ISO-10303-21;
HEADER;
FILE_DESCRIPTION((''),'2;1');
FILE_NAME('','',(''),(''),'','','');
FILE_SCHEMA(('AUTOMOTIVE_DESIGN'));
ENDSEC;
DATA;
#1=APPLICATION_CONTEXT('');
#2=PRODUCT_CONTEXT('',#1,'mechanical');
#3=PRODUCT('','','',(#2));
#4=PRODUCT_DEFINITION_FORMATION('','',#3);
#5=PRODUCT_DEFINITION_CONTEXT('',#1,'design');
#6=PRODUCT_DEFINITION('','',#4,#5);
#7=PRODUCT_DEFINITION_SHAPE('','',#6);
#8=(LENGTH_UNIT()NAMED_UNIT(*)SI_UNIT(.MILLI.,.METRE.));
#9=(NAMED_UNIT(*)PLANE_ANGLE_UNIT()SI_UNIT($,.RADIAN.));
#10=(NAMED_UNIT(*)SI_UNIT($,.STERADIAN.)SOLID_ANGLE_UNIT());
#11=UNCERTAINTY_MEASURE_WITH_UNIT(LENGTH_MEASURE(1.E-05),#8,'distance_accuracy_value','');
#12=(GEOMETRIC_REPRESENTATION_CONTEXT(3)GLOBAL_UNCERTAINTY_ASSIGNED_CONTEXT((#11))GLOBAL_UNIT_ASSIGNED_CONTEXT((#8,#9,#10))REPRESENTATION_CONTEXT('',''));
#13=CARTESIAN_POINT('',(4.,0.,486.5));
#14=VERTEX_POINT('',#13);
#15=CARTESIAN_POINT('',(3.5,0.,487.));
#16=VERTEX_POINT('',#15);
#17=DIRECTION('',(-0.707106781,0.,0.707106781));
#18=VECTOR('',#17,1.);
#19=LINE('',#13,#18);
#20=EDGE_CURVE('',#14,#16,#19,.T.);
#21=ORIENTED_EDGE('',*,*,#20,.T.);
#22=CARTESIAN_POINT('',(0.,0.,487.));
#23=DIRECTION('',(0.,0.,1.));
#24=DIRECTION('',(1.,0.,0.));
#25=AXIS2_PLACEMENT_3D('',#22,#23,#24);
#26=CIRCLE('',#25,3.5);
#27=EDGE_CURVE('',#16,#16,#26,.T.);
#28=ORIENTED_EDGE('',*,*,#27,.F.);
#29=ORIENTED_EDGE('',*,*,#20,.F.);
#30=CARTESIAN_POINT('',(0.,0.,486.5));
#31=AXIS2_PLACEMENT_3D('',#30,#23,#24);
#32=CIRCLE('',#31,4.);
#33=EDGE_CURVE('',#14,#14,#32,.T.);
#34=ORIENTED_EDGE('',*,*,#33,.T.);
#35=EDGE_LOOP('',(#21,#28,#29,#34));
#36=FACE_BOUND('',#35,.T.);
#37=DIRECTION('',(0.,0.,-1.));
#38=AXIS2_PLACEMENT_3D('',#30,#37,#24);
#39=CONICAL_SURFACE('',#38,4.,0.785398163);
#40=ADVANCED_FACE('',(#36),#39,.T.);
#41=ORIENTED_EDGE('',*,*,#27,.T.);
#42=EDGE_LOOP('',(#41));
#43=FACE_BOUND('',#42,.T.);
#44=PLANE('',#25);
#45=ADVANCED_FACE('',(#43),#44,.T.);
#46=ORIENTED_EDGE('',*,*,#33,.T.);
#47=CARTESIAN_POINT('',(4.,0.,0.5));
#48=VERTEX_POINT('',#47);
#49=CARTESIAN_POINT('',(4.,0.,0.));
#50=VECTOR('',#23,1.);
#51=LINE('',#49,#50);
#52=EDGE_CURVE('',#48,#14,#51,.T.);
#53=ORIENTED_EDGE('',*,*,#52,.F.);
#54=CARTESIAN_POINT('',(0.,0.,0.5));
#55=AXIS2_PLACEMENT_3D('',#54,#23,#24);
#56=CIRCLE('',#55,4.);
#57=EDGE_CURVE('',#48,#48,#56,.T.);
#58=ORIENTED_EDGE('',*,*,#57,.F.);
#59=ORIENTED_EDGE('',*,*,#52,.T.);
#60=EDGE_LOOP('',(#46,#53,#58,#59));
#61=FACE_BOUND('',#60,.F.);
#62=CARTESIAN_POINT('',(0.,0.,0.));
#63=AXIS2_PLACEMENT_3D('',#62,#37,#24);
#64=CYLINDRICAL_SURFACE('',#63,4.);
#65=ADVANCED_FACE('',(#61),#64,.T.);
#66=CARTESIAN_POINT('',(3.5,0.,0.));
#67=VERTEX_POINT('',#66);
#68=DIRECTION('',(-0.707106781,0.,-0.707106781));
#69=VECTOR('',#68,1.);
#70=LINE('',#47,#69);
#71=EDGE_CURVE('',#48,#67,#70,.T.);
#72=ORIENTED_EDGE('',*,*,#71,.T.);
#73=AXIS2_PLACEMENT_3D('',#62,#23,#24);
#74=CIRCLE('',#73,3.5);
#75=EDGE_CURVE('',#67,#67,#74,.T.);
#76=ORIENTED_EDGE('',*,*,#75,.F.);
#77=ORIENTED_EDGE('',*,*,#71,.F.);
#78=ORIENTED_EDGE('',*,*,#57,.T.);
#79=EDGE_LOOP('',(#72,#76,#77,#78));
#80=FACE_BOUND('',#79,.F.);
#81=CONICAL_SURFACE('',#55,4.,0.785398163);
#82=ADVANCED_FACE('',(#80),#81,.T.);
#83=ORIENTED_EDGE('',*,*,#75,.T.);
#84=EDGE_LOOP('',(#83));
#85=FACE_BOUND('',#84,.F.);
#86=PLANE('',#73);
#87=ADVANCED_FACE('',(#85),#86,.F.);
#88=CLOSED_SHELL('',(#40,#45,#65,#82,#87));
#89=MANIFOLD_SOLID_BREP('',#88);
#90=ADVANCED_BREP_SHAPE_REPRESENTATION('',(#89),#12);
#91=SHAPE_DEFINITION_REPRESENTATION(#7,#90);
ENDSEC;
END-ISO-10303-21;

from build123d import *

# Parameters (mm, degrees)
SKETCH_R     = 4
PAD_DEPTH    = 487
CHAMFER_SIZE = 0.5


with BuildPart() as part:
    # Sketch → Pad (new body)
    with BuildSketch(Plane.XY):
        Circle(SKETCH_R)
    extrude(amount=PAD_DEPTH)

    # Chamfer
    chamfer_edges = [part.edges().sort_by_distance(p)[0] for p in [
        (-4, 0, 0),
        (-4, 0, 487),
    ]]
    chamfer(chamfer_edges, length=CHAMFER_SIZE)


solid = part.part
